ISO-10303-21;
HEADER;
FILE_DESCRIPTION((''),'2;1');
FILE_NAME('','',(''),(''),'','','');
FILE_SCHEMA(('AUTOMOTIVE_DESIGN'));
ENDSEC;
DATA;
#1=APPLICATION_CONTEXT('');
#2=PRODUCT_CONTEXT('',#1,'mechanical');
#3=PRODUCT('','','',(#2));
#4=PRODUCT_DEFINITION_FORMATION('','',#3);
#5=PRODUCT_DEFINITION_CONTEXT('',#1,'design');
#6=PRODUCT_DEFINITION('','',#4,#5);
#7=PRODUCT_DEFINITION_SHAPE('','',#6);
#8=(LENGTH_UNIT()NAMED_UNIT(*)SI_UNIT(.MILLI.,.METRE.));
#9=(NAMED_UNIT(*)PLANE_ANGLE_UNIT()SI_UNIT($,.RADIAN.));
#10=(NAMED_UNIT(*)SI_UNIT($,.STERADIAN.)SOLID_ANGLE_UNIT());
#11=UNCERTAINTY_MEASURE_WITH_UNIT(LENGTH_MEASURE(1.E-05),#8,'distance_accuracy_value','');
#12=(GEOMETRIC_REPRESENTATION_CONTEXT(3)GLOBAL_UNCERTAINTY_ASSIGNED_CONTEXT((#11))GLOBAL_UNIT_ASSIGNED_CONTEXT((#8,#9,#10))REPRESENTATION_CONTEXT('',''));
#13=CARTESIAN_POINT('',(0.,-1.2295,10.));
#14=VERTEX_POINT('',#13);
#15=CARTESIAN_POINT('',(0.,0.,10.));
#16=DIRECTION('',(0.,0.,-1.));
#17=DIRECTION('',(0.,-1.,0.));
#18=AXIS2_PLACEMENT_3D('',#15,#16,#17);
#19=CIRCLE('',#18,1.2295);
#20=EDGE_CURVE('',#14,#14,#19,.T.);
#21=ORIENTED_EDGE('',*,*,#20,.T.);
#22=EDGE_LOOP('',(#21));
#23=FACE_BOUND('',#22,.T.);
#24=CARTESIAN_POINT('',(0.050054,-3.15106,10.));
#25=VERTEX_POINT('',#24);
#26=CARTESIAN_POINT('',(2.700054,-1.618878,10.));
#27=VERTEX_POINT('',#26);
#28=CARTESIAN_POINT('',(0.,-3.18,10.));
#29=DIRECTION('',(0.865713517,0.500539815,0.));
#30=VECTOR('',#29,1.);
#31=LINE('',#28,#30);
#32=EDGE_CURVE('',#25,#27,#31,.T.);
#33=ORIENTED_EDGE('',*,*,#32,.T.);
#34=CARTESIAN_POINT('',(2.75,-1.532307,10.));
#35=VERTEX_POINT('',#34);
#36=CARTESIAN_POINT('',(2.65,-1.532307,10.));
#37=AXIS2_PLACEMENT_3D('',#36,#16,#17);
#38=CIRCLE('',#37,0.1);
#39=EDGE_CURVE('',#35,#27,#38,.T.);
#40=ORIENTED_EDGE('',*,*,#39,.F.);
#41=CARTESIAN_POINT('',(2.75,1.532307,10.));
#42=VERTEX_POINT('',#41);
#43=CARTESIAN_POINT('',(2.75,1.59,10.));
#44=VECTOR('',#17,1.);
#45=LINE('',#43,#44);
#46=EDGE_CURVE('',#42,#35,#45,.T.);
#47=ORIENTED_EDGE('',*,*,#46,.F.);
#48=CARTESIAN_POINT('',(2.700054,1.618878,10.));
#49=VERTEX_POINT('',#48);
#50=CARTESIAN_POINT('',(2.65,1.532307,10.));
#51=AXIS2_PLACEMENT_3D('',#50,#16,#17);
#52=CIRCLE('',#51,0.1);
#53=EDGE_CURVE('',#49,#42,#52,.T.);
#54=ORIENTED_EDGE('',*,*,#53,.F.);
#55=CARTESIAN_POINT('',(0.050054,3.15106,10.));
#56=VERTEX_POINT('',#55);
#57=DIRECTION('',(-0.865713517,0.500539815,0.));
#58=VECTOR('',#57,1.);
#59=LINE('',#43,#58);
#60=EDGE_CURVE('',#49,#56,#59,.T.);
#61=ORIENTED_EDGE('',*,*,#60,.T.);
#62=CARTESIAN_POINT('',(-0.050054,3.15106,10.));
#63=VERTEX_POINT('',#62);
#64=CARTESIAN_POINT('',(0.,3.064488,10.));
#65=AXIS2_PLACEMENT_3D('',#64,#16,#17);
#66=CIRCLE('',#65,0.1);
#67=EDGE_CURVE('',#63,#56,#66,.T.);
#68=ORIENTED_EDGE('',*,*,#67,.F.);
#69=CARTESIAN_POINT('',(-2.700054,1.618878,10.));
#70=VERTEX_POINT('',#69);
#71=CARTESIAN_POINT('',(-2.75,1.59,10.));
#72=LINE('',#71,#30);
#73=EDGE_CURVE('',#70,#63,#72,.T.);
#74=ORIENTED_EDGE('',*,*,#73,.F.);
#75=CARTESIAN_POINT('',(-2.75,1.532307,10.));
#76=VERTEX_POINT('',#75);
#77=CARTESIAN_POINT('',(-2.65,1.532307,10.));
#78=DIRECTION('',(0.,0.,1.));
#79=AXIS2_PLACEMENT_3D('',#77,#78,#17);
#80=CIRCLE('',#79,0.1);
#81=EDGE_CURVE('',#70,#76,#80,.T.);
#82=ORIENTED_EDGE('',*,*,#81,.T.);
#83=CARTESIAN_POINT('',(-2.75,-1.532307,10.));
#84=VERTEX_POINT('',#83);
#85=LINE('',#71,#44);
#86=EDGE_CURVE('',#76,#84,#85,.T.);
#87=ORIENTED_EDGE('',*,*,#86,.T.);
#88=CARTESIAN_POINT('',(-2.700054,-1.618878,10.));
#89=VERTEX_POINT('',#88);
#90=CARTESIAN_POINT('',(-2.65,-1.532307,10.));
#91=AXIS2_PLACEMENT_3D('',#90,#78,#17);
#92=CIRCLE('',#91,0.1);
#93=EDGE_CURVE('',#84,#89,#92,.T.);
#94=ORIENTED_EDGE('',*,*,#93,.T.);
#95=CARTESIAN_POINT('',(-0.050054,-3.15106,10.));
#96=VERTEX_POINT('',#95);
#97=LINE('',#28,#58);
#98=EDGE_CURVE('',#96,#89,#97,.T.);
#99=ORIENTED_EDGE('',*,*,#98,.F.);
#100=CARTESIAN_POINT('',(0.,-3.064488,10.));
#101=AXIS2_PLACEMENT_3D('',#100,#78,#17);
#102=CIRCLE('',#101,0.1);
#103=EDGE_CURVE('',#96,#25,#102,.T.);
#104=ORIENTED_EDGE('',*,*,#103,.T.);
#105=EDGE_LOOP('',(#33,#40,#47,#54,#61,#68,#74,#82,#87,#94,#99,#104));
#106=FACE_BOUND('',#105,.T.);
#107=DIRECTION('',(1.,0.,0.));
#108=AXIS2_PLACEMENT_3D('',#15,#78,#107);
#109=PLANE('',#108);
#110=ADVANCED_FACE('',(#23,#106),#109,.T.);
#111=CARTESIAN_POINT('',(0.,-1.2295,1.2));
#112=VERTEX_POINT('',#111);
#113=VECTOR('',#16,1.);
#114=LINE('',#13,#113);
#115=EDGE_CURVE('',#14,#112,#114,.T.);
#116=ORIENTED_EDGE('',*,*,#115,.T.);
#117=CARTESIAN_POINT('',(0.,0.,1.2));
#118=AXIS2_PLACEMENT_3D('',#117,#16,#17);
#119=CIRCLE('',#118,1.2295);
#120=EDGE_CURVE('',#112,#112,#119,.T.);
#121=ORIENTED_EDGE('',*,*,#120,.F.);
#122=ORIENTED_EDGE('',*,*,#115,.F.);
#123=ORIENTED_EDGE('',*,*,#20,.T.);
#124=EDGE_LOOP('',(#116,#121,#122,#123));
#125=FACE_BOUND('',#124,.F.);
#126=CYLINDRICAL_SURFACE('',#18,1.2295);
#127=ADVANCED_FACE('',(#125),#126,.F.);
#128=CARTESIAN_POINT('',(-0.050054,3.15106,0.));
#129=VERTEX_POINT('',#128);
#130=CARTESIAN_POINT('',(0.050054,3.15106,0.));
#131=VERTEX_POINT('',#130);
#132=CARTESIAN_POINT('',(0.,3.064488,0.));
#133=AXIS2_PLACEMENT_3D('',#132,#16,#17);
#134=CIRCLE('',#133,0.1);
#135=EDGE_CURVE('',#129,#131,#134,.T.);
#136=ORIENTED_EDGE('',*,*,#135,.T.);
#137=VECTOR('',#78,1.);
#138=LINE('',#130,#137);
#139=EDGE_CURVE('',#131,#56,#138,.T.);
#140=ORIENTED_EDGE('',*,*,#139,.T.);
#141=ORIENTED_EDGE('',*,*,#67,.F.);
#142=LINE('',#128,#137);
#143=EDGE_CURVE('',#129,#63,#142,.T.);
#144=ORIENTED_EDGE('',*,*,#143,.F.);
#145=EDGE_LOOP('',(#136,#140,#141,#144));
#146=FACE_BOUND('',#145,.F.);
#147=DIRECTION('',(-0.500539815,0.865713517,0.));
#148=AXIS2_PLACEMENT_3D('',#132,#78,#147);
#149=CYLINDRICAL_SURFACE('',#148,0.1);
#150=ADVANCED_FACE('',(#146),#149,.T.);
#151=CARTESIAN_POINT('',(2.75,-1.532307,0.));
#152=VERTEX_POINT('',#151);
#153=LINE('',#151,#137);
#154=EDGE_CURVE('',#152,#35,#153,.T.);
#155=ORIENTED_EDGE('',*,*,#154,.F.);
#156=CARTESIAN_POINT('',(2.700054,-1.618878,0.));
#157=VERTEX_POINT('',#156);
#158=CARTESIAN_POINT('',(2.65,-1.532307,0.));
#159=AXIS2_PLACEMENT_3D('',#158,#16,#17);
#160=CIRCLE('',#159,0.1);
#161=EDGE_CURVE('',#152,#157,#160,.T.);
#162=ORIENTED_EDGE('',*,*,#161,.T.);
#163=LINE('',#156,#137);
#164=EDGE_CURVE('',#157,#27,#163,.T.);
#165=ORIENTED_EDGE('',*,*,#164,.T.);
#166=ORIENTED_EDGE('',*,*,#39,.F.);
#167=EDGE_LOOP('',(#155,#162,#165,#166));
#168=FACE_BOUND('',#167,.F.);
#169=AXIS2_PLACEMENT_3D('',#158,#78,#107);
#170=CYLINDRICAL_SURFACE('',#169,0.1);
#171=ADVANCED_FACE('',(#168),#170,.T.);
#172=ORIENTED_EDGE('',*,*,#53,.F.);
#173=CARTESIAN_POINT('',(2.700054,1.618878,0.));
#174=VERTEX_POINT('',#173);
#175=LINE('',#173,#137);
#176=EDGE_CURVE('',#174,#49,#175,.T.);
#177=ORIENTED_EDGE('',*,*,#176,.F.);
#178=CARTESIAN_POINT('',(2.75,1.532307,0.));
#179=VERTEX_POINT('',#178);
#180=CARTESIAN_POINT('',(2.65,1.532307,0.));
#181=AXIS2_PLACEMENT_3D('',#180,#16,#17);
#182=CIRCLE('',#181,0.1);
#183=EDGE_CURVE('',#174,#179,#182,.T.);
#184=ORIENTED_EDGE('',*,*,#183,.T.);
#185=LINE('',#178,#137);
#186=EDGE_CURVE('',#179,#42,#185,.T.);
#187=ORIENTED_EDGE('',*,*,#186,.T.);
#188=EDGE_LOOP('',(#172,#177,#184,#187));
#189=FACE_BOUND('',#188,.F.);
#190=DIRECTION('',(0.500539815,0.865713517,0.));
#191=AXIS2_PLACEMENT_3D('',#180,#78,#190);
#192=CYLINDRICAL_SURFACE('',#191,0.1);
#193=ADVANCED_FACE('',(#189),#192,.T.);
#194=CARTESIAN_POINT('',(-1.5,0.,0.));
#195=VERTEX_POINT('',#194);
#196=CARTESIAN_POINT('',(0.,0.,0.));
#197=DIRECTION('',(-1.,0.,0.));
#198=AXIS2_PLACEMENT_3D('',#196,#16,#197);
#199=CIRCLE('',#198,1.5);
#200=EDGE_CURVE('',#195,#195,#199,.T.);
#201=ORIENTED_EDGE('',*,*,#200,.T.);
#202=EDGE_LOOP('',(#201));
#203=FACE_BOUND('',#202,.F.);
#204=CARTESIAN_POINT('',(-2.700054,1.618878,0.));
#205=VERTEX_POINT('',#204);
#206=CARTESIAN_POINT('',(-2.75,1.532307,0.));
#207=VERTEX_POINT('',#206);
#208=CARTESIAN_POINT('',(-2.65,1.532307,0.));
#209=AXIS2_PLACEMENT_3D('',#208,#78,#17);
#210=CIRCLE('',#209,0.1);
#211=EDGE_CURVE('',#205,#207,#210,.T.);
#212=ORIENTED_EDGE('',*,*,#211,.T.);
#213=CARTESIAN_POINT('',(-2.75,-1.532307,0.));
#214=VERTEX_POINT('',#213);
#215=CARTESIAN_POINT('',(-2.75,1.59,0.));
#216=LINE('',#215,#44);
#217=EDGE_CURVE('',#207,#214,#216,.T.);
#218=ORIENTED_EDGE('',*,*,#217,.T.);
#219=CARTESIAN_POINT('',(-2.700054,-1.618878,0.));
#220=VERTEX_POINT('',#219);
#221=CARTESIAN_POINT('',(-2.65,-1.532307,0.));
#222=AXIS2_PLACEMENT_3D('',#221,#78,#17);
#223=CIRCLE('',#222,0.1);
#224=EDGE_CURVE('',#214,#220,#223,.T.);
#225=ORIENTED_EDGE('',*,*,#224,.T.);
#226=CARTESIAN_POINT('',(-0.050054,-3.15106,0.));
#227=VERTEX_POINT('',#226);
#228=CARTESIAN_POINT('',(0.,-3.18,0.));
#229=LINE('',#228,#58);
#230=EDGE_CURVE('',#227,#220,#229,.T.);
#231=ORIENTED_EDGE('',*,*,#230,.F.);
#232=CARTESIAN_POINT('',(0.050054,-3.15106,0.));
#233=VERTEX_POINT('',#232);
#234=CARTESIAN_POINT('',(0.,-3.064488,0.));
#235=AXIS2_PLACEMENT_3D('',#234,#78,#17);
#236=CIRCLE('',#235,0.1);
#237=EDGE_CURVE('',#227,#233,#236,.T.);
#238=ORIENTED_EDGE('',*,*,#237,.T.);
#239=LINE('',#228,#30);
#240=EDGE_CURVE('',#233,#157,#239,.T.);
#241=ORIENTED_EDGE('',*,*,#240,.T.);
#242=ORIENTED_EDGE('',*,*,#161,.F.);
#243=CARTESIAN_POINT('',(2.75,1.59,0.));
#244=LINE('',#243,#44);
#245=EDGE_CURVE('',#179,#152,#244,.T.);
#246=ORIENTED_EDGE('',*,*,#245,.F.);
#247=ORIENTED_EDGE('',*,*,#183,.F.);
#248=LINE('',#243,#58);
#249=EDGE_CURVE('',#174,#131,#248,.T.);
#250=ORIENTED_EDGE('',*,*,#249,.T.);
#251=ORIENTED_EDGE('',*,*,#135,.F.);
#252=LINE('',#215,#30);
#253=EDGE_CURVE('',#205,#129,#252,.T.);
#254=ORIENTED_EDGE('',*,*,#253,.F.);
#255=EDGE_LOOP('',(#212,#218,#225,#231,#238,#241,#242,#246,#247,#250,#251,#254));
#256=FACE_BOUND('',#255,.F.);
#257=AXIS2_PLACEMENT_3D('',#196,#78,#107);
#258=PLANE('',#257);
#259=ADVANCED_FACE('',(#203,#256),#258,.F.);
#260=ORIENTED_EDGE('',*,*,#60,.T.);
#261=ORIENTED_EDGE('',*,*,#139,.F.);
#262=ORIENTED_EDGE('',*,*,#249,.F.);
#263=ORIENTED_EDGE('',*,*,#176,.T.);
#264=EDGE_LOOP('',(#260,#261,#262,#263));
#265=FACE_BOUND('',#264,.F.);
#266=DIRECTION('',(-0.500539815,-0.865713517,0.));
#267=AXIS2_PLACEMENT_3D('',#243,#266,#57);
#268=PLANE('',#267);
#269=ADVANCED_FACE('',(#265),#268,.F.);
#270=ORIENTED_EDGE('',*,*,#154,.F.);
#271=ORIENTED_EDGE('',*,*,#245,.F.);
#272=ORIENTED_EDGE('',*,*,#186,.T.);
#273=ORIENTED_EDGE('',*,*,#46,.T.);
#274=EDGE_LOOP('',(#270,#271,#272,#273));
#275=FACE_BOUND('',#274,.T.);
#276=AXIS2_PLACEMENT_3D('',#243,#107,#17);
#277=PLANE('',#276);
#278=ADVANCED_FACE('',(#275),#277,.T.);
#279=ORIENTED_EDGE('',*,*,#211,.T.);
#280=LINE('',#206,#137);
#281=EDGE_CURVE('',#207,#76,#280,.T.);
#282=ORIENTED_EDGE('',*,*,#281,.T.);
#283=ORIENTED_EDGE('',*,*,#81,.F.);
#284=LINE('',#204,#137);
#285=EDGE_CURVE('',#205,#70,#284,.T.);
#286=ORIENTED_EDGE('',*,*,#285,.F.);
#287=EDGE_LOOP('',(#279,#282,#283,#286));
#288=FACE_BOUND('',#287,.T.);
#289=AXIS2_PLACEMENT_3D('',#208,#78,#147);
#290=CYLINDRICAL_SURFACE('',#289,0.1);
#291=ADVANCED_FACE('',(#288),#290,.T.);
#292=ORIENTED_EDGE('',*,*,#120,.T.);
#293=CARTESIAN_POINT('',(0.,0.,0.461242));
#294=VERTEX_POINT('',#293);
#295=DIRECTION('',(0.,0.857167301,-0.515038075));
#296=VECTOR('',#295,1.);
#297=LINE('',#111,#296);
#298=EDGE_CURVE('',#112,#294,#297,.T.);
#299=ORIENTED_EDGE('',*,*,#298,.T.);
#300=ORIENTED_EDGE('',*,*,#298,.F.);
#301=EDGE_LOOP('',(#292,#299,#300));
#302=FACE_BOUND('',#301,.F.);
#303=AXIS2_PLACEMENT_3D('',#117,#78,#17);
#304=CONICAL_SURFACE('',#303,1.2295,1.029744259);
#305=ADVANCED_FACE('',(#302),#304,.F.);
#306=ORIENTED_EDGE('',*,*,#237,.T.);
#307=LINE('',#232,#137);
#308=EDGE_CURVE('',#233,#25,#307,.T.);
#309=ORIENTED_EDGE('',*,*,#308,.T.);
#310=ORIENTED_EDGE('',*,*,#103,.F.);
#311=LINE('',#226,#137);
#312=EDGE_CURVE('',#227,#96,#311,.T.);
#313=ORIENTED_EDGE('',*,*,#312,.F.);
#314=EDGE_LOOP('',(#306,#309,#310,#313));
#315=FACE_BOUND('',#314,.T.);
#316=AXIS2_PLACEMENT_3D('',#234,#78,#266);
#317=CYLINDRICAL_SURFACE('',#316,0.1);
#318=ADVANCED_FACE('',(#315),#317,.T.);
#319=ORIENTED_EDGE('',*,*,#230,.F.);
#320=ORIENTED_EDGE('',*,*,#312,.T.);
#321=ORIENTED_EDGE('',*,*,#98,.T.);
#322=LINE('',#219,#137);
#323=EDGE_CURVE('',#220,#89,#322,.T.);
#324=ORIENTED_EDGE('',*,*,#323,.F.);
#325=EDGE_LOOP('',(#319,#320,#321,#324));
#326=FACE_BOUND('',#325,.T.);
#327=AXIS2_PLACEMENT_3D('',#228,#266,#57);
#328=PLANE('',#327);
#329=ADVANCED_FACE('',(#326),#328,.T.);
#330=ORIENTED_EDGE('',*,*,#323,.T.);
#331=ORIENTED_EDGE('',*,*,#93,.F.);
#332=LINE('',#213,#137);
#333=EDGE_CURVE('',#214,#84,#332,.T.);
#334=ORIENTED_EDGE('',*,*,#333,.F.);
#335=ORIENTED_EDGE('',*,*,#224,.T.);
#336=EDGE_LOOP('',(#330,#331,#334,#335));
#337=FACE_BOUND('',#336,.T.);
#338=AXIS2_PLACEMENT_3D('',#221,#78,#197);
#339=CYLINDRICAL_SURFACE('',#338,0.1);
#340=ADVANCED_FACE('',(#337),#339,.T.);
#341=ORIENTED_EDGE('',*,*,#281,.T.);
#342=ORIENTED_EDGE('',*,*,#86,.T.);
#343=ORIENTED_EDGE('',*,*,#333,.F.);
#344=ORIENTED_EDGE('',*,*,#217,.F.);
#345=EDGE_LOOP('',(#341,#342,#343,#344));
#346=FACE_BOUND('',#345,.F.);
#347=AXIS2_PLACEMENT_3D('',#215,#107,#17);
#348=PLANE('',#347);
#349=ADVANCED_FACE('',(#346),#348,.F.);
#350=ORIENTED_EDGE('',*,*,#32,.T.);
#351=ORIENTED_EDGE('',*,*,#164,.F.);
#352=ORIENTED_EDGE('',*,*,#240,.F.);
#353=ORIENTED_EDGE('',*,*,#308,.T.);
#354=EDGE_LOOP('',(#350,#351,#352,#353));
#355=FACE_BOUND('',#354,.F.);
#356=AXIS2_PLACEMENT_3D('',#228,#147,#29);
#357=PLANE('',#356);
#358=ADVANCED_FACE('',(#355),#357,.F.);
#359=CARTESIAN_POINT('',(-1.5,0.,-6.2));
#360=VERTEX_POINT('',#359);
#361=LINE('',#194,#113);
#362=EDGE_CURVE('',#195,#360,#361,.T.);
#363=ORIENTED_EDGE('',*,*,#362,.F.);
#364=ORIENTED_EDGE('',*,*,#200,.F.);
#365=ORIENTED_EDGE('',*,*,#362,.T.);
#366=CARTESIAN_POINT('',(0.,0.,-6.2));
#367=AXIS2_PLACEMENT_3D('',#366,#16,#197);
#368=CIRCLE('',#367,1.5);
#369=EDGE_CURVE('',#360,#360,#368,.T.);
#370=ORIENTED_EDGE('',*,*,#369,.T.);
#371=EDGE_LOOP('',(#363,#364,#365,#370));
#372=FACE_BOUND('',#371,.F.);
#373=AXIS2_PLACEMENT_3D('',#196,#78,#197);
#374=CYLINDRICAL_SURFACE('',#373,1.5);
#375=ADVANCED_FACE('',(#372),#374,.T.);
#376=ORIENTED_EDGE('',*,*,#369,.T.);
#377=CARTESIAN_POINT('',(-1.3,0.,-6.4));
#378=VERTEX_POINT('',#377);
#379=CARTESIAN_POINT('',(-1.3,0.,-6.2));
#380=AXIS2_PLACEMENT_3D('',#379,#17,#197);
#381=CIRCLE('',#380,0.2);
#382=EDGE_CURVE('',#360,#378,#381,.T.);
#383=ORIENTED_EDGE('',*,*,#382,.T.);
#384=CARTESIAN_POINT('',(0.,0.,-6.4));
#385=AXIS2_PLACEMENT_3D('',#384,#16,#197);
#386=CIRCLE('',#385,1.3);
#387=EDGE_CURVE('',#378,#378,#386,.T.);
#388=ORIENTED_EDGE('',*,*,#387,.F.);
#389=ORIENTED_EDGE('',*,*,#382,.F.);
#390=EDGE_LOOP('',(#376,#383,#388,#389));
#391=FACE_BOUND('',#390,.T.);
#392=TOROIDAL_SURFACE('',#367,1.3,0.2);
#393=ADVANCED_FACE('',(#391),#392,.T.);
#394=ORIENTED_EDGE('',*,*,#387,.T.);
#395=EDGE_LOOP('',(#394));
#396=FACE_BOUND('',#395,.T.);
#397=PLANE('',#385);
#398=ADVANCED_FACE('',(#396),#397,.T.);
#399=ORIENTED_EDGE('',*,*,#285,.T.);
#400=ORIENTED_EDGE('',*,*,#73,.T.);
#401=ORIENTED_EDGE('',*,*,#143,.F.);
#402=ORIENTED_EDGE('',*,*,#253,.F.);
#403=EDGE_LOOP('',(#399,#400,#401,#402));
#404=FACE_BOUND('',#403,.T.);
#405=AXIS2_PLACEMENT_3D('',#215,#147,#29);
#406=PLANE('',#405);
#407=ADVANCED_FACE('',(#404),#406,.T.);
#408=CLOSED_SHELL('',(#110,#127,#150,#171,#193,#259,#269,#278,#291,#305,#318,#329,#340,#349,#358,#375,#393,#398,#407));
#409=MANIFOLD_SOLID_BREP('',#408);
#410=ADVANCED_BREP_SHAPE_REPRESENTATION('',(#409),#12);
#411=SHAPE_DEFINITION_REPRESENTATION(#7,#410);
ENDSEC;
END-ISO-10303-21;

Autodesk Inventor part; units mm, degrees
ref_plane "YZ Plane" through (0, 0, 0) normal (1, 0, 0) x (0, 1, 0)
ref_plane "XZ Plane" through (0, 0, 0) normal (0, 1, 0) x (-1, 0, 0)
ref_plane "XY Plane" through (0, 0, 0) normal (0, 0, 1) x (1, 0, 0)
sketch "Sketch1" plane through (0, 0, 0) normal (0, 0, 1) x (1, 0, 0)
  line L0 (-2.75, 1.59) -> (0, 3.18)
  line L1 (0, -3.18) -> (-2.75, -1.59)
  line L2 (-2.75, 1.59) -> (-2.75, -1.59)
  line L3 (2.75, 1.59) -> (0, 3.18)
  line L4 (0, -3.18) -> (2.75, -1.59)
  line L5 (2.75, 1.59) -> (2.75, -1.59)
  point P0 (0, 0)
extrude "Extrusion1" add sketch "Sketch1" along normal blind 10
sketch "Sketch2" plane through (0, 0, 10) normal (0, 0, 1) x (1, 0, 0)
  circle A0 centre (0, 0) radius 1.5
  dimension "d20" = 3
hole "Hole1" at (0, 0, 10) direction (0, 0, -1) diameter 2.459 depth 8.8 tip angle 118 thread size "M3x0.5" class "6H" standard "ISO Metric profile"
fillet "Fillet1" radius 0.1 6 edges at (0, 3.18, 5) (2.75, 1.59, 5) (-2.75, 1.59, 5) (2.75, -1.59, 5) (0, -3.18, 5) (-2.75, -1.59, 5)
sketch "Sketch4" plane through (0, 0, 0) normal (0, 0, -1) x (-1, 0, 0)
  circle A0 centre (0, 0) radius 1.5
  dimension "d29" = 3
extrude "Extrusion2" add sketch "Sketch4" along normal blind 6.4
thread "Thread1" size "M3x0.5" class "6g" standard "ANSI Metric M Profile" length 9.967
fillet "Fillet2" radius 0.2 1 edges at (1.5, 0, -6.4)
properties part number "spacer 10mm" material "Steel, Mild"
